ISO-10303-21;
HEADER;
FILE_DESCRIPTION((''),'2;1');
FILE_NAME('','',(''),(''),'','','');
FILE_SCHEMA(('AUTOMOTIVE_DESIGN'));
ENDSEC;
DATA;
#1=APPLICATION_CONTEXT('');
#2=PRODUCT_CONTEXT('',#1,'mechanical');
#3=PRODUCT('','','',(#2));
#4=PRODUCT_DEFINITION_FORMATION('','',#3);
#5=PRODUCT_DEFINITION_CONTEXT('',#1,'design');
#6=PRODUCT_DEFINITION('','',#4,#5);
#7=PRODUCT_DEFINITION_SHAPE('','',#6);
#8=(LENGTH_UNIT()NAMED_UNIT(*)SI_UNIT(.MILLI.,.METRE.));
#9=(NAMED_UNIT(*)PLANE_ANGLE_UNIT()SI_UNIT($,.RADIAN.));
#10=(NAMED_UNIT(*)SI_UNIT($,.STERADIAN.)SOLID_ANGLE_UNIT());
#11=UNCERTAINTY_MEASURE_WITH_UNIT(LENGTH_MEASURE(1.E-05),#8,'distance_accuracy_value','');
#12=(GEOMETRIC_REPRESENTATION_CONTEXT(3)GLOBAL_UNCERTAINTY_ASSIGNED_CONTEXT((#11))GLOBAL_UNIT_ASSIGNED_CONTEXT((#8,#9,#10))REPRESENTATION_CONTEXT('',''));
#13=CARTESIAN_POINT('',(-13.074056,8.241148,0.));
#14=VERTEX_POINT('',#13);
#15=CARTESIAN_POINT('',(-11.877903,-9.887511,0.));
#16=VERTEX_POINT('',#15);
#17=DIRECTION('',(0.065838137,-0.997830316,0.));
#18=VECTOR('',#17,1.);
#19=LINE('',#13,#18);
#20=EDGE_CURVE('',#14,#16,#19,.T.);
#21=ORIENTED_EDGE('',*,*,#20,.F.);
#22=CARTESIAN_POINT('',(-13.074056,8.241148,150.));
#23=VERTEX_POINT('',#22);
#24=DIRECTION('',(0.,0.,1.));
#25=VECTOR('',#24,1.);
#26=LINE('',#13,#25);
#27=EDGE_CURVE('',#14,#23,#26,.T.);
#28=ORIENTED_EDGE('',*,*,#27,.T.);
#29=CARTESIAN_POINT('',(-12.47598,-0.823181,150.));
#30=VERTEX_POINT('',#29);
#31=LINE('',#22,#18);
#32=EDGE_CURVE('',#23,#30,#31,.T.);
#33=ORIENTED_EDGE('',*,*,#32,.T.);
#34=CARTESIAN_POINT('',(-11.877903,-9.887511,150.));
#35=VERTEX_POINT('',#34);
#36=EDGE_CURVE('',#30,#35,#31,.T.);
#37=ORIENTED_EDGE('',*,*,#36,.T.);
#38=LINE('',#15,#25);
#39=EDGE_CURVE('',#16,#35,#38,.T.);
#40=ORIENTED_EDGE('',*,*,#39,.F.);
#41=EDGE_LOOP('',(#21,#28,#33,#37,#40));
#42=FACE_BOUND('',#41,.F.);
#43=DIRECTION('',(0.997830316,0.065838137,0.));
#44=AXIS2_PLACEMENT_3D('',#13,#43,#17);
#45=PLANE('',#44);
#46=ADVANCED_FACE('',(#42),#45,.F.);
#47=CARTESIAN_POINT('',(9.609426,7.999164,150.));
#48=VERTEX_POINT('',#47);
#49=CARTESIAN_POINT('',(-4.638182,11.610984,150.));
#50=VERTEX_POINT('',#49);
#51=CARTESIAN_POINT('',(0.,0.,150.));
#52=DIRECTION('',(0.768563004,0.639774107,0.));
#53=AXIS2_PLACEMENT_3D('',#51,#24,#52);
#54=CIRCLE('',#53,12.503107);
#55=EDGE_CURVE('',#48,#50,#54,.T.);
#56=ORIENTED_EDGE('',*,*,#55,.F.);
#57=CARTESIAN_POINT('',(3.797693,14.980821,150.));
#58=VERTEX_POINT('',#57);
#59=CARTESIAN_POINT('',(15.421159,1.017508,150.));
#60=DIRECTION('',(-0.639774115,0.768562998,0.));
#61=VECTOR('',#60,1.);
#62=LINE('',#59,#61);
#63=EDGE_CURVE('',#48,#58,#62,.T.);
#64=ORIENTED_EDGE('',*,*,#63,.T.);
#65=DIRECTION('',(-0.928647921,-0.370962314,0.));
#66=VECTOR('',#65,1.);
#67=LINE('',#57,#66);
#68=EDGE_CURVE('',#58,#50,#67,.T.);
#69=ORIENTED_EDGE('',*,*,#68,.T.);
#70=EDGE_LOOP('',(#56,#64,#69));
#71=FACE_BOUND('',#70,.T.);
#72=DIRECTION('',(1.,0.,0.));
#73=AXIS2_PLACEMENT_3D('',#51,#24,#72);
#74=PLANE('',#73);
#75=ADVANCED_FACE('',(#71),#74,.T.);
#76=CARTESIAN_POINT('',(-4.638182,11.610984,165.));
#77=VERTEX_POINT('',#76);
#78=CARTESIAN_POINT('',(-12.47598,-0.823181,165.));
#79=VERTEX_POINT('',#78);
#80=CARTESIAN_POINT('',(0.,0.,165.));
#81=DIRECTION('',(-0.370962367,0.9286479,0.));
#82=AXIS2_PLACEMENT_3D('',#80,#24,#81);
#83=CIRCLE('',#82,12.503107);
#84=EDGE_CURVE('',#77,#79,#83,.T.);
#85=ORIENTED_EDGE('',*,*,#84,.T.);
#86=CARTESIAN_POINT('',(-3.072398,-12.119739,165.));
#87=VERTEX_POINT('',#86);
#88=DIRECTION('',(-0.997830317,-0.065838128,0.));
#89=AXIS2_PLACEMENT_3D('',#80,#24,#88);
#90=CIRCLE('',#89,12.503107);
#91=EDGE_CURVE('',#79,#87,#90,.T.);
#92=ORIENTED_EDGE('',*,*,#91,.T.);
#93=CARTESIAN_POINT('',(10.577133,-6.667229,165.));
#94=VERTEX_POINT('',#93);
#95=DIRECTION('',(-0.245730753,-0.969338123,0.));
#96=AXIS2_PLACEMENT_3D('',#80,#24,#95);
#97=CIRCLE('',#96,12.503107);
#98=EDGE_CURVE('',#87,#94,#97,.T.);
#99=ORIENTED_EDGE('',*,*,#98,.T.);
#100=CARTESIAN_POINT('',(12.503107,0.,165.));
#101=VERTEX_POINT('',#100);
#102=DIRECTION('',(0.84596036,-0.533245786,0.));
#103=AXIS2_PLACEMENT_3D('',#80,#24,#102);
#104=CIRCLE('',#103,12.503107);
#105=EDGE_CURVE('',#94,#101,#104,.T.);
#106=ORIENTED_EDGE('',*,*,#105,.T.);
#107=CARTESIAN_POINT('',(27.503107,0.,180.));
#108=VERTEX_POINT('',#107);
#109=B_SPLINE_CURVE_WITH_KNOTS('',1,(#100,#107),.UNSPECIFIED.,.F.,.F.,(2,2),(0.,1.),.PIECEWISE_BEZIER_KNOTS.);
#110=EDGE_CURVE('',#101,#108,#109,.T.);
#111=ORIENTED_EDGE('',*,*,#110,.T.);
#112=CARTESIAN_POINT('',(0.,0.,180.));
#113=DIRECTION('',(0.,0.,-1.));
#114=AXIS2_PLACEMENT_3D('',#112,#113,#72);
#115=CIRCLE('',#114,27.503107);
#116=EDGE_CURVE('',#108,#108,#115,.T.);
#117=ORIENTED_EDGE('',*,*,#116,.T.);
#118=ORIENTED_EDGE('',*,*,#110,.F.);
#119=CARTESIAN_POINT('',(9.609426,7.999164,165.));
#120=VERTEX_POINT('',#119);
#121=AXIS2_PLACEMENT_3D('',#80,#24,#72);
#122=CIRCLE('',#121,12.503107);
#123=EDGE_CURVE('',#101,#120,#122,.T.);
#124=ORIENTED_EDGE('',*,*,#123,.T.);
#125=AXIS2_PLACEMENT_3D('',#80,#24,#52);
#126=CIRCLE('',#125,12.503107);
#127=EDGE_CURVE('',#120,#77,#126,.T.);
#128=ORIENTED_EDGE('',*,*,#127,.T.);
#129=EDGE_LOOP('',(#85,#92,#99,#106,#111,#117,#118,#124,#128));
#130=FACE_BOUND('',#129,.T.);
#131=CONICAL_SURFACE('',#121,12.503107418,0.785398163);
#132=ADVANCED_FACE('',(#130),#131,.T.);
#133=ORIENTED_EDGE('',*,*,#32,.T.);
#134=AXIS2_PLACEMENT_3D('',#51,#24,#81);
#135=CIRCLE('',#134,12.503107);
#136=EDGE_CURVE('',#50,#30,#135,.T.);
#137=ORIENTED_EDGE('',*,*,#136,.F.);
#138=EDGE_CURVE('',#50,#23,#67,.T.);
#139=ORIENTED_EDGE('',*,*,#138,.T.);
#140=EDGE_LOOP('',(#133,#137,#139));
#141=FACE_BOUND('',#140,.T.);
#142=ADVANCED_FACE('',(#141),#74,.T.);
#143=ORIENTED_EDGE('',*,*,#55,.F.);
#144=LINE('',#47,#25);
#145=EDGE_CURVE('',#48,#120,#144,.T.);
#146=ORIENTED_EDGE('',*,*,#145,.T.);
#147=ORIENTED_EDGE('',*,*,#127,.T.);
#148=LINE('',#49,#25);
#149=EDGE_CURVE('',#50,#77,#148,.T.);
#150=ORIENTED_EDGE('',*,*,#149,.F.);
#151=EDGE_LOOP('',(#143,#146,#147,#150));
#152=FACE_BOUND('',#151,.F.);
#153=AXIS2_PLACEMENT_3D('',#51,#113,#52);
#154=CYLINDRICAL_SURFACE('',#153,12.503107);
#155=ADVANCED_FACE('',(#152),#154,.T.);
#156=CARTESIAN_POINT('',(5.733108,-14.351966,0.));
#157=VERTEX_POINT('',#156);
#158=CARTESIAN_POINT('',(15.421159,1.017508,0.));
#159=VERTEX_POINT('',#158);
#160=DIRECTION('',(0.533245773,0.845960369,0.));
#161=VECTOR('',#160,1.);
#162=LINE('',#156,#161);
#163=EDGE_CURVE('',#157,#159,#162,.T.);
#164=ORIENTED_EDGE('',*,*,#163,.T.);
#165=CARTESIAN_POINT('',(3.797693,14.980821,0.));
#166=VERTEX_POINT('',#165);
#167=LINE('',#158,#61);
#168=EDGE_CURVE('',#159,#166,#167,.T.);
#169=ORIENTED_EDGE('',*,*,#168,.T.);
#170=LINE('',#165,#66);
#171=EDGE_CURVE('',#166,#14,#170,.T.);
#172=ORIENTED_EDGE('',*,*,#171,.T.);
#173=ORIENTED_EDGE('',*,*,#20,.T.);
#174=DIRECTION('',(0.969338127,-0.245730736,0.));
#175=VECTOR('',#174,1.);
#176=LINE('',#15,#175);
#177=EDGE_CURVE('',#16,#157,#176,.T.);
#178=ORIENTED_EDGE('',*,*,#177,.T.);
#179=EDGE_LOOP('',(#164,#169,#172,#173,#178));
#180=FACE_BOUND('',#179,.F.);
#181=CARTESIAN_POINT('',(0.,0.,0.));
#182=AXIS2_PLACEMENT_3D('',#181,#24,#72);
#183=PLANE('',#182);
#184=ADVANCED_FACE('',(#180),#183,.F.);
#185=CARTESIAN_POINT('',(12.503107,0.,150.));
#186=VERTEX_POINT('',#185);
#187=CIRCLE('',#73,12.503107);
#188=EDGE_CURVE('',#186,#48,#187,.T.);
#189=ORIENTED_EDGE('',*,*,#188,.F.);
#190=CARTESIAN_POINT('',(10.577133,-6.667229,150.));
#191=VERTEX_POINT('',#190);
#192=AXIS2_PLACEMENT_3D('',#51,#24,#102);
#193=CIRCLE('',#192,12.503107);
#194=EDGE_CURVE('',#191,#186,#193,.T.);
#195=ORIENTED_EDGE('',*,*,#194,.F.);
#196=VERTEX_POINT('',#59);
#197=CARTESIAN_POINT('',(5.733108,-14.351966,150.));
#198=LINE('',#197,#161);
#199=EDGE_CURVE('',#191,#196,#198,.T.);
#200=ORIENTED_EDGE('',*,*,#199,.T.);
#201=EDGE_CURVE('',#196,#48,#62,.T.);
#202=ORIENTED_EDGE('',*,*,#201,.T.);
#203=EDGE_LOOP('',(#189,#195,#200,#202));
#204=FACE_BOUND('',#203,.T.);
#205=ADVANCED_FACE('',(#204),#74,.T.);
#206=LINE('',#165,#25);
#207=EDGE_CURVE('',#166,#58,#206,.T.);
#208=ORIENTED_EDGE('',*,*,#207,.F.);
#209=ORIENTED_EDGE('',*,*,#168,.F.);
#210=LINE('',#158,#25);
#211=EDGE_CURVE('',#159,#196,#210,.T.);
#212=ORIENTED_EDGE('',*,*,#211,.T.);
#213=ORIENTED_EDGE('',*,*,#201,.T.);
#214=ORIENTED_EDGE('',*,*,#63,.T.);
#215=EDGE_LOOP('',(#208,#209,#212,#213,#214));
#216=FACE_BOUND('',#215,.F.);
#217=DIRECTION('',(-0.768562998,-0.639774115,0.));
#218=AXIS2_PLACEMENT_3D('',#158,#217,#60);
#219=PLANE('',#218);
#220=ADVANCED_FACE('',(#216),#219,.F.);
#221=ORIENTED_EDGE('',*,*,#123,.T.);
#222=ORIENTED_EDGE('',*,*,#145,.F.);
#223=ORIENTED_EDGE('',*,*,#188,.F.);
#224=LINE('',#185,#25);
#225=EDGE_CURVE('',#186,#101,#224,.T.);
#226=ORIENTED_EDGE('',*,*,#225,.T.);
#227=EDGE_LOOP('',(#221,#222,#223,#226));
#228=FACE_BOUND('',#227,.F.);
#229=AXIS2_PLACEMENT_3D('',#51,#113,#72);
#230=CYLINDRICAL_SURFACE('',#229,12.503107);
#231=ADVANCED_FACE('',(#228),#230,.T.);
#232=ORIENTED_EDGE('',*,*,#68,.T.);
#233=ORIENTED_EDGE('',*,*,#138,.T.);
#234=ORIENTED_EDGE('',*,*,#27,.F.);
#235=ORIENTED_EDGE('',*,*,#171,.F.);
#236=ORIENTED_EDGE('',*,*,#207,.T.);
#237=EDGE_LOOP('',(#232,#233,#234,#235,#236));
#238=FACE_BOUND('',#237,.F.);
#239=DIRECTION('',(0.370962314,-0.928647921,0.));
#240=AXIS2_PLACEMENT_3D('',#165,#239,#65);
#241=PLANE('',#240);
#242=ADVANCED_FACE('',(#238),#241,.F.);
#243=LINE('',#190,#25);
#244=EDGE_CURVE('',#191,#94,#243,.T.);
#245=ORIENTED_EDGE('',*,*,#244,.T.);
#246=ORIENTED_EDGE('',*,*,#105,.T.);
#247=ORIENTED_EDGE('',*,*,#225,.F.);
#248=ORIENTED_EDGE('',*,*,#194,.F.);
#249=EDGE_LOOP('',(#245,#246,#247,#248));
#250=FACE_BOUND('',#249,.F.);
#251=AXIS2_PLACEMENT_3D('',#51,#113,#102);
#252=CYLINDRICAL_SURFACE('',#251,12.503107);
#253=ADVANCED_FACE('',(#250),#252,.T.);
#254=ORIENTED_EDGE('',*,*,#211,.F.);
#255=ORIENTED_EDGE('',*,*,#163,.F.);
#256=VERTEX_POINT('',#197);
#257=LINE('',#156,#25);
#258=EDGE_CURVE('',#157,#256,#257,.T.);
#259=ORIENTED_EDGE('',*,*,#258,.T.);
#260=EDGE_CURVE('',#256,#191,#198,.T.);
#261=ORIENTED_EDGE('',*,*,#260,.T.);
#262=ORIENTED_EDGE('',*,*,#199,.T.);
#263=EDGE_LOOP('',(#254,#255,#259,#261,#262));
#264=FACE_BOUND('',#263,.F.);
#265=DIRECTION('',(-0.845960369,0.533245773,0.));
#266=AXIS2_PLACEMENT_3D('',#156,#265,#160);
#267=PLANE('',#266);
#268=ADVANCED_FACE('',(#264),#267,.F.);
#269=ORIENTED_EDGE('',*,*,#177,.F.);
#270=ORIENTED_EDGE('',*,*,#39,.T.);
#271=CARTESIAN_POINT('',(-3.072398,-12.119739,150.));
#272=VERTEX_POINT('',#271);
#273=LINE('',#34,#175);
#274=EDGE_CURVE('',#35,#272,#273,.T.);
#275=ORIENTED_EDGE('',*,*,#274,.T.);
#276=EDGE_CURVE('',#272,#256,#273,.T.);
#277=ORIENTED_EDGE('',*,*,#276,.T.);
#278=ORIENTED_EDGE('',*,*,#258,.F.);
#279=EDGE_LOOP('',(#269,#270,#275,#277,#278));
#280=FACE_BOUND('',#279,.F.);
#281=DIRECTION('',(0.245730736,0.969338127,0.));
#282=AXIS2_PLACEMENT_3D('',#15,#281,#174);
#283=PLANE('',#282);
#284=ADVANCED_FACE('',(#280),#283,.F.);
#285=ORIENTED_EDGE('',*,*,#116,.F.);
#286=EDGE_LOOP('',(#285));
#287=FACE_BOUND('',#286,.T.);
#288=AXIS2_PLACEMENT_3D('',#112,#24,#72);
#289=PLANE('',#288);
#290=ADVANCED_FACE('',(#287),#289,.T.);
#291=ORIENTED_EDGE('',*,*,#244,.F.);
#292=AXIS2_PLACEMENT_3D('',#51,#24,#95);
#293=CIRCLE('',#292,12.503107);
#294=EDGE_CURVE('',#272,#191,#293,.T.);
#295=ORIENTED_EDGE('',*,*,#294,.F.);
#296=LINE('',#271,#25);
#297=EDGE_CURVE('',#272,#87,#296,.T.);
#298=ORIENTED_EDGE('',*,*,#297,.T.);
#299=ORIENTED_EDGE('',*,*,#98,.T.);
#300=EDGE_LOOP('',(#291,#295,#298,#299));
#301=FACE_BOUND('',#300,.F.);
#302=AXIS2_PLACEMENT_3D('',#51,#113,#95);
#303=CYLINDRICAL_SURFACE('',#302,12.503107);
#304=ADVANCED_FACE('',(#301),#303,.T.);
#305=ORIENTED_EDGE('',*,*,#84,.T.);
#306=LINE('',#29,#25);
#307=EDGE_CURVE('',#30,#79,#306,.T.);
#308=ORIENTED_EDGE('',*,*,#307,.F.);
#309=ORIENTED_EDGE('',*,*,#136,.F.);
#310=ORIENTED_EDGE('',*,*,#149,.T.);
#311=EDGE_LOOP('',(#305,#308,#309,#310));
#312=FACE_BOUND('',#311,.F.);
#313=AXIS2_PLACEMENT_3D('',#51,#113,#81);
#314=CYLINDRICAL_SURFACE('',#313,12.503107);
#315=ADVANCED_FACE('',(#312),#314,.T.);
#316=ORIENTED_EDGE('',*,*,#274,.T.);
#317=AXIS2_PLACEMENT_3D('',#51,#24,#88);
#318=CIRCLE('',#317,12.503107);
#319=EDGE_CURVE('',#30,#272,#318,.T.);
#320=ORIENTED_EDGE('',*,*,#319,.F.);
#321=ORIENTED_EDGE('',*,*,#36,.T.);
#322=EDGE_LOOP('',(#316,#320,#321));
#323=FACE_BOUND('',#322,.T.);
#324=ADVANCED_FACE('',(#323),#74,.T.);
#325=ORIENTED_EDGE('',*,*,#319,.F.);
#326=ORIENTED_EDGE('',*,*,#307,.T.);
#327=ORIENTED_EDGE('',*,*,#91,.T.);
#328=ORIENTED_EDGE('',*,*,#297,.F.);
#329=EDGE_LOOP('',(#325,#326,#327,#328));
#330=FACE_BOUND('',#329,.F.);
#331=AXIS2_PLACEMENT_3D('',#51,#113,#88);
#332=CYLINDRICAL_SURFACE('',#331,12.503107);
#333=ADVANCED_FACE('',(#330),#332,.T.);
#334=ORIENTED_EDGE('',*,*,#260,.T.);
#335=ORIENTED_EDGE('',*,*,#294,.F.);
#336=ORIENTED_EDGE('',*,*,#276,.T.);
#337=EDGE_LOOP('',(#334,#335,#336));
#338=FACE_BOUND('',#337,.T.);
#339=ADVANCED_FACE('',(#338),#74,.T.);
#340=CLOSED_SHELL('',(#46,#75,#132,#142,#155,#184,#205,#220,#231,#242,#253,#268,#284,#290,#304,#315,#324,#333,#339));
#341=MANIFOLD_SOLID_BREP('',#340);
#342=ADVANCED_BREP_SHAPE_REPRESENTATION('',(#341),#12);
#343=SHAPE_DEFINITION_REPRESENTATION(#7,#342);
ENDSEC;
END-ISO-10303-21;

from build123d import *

# Parameters (mm, degrees)
F1_DEPTH  = 150
F3_DEPTH  = 15
F3_FACE_R = 12.5031074182
F4_DEPTH  = 15
F4_TAPER  = -45


with BuildPart() as f1:
    # F0 (on Top) → F1 (new body)
    with BuildSketch(Plane.XY):
        Polygon((15.4211589057, 1.0175080366), (3.7976925262, 14.9808209413), (-13.0740558457, 8.2411484845), (-11.8779034096, -9.8875110716), (5.7331078234, -14.3519663908), align=None)
    extrude(amount=F1_DEPTH)

    # F2 (on face) → F3 (join)
    with BuildSketch(Plane.XY.offset(150)):
        with BuildLine():
            ThreePointArc((10.5771332585, -6.6672293454), (12.0119675412, -3.4699179964), (12.5031074182, 0))
            ThreePointArc((12.5031074182, 0), (11.7574524907, 4.2532347737), (9.6094258021, 7.9991643854))
            ThreePointArc((9.6094258021, 7.9991643854), (3.07239751, 12.119738803), (-4.6381823272, 11.6109844463))
            ThreePointArc((-4.6381823272, 11.6109844463), (-10.5771335272, 6.667228919), (-12.4759796348, -0.8231811852))
            ThreePointArc((-12.4759796348, -0.8231811852), (-9.6094258213, -7.9991643624), (-3.0723980071, -12.119738677))
            ThreePointArc((-3.0723980071, -12.119738677), (4.6381814649, -11.6109847907), (10.5771332585, -6.6672293454))
        make_face()
    extrude(amount=F3_DEPTH)

    # F3_face (on face) → F4 (join)
    with BuildSketch(Plane.XY.offset(165)):
        Circle(F3_FACE_R)
    extrude(amount=F4_DEPTH, taper=F4_TAPER)


solid = f1.part
